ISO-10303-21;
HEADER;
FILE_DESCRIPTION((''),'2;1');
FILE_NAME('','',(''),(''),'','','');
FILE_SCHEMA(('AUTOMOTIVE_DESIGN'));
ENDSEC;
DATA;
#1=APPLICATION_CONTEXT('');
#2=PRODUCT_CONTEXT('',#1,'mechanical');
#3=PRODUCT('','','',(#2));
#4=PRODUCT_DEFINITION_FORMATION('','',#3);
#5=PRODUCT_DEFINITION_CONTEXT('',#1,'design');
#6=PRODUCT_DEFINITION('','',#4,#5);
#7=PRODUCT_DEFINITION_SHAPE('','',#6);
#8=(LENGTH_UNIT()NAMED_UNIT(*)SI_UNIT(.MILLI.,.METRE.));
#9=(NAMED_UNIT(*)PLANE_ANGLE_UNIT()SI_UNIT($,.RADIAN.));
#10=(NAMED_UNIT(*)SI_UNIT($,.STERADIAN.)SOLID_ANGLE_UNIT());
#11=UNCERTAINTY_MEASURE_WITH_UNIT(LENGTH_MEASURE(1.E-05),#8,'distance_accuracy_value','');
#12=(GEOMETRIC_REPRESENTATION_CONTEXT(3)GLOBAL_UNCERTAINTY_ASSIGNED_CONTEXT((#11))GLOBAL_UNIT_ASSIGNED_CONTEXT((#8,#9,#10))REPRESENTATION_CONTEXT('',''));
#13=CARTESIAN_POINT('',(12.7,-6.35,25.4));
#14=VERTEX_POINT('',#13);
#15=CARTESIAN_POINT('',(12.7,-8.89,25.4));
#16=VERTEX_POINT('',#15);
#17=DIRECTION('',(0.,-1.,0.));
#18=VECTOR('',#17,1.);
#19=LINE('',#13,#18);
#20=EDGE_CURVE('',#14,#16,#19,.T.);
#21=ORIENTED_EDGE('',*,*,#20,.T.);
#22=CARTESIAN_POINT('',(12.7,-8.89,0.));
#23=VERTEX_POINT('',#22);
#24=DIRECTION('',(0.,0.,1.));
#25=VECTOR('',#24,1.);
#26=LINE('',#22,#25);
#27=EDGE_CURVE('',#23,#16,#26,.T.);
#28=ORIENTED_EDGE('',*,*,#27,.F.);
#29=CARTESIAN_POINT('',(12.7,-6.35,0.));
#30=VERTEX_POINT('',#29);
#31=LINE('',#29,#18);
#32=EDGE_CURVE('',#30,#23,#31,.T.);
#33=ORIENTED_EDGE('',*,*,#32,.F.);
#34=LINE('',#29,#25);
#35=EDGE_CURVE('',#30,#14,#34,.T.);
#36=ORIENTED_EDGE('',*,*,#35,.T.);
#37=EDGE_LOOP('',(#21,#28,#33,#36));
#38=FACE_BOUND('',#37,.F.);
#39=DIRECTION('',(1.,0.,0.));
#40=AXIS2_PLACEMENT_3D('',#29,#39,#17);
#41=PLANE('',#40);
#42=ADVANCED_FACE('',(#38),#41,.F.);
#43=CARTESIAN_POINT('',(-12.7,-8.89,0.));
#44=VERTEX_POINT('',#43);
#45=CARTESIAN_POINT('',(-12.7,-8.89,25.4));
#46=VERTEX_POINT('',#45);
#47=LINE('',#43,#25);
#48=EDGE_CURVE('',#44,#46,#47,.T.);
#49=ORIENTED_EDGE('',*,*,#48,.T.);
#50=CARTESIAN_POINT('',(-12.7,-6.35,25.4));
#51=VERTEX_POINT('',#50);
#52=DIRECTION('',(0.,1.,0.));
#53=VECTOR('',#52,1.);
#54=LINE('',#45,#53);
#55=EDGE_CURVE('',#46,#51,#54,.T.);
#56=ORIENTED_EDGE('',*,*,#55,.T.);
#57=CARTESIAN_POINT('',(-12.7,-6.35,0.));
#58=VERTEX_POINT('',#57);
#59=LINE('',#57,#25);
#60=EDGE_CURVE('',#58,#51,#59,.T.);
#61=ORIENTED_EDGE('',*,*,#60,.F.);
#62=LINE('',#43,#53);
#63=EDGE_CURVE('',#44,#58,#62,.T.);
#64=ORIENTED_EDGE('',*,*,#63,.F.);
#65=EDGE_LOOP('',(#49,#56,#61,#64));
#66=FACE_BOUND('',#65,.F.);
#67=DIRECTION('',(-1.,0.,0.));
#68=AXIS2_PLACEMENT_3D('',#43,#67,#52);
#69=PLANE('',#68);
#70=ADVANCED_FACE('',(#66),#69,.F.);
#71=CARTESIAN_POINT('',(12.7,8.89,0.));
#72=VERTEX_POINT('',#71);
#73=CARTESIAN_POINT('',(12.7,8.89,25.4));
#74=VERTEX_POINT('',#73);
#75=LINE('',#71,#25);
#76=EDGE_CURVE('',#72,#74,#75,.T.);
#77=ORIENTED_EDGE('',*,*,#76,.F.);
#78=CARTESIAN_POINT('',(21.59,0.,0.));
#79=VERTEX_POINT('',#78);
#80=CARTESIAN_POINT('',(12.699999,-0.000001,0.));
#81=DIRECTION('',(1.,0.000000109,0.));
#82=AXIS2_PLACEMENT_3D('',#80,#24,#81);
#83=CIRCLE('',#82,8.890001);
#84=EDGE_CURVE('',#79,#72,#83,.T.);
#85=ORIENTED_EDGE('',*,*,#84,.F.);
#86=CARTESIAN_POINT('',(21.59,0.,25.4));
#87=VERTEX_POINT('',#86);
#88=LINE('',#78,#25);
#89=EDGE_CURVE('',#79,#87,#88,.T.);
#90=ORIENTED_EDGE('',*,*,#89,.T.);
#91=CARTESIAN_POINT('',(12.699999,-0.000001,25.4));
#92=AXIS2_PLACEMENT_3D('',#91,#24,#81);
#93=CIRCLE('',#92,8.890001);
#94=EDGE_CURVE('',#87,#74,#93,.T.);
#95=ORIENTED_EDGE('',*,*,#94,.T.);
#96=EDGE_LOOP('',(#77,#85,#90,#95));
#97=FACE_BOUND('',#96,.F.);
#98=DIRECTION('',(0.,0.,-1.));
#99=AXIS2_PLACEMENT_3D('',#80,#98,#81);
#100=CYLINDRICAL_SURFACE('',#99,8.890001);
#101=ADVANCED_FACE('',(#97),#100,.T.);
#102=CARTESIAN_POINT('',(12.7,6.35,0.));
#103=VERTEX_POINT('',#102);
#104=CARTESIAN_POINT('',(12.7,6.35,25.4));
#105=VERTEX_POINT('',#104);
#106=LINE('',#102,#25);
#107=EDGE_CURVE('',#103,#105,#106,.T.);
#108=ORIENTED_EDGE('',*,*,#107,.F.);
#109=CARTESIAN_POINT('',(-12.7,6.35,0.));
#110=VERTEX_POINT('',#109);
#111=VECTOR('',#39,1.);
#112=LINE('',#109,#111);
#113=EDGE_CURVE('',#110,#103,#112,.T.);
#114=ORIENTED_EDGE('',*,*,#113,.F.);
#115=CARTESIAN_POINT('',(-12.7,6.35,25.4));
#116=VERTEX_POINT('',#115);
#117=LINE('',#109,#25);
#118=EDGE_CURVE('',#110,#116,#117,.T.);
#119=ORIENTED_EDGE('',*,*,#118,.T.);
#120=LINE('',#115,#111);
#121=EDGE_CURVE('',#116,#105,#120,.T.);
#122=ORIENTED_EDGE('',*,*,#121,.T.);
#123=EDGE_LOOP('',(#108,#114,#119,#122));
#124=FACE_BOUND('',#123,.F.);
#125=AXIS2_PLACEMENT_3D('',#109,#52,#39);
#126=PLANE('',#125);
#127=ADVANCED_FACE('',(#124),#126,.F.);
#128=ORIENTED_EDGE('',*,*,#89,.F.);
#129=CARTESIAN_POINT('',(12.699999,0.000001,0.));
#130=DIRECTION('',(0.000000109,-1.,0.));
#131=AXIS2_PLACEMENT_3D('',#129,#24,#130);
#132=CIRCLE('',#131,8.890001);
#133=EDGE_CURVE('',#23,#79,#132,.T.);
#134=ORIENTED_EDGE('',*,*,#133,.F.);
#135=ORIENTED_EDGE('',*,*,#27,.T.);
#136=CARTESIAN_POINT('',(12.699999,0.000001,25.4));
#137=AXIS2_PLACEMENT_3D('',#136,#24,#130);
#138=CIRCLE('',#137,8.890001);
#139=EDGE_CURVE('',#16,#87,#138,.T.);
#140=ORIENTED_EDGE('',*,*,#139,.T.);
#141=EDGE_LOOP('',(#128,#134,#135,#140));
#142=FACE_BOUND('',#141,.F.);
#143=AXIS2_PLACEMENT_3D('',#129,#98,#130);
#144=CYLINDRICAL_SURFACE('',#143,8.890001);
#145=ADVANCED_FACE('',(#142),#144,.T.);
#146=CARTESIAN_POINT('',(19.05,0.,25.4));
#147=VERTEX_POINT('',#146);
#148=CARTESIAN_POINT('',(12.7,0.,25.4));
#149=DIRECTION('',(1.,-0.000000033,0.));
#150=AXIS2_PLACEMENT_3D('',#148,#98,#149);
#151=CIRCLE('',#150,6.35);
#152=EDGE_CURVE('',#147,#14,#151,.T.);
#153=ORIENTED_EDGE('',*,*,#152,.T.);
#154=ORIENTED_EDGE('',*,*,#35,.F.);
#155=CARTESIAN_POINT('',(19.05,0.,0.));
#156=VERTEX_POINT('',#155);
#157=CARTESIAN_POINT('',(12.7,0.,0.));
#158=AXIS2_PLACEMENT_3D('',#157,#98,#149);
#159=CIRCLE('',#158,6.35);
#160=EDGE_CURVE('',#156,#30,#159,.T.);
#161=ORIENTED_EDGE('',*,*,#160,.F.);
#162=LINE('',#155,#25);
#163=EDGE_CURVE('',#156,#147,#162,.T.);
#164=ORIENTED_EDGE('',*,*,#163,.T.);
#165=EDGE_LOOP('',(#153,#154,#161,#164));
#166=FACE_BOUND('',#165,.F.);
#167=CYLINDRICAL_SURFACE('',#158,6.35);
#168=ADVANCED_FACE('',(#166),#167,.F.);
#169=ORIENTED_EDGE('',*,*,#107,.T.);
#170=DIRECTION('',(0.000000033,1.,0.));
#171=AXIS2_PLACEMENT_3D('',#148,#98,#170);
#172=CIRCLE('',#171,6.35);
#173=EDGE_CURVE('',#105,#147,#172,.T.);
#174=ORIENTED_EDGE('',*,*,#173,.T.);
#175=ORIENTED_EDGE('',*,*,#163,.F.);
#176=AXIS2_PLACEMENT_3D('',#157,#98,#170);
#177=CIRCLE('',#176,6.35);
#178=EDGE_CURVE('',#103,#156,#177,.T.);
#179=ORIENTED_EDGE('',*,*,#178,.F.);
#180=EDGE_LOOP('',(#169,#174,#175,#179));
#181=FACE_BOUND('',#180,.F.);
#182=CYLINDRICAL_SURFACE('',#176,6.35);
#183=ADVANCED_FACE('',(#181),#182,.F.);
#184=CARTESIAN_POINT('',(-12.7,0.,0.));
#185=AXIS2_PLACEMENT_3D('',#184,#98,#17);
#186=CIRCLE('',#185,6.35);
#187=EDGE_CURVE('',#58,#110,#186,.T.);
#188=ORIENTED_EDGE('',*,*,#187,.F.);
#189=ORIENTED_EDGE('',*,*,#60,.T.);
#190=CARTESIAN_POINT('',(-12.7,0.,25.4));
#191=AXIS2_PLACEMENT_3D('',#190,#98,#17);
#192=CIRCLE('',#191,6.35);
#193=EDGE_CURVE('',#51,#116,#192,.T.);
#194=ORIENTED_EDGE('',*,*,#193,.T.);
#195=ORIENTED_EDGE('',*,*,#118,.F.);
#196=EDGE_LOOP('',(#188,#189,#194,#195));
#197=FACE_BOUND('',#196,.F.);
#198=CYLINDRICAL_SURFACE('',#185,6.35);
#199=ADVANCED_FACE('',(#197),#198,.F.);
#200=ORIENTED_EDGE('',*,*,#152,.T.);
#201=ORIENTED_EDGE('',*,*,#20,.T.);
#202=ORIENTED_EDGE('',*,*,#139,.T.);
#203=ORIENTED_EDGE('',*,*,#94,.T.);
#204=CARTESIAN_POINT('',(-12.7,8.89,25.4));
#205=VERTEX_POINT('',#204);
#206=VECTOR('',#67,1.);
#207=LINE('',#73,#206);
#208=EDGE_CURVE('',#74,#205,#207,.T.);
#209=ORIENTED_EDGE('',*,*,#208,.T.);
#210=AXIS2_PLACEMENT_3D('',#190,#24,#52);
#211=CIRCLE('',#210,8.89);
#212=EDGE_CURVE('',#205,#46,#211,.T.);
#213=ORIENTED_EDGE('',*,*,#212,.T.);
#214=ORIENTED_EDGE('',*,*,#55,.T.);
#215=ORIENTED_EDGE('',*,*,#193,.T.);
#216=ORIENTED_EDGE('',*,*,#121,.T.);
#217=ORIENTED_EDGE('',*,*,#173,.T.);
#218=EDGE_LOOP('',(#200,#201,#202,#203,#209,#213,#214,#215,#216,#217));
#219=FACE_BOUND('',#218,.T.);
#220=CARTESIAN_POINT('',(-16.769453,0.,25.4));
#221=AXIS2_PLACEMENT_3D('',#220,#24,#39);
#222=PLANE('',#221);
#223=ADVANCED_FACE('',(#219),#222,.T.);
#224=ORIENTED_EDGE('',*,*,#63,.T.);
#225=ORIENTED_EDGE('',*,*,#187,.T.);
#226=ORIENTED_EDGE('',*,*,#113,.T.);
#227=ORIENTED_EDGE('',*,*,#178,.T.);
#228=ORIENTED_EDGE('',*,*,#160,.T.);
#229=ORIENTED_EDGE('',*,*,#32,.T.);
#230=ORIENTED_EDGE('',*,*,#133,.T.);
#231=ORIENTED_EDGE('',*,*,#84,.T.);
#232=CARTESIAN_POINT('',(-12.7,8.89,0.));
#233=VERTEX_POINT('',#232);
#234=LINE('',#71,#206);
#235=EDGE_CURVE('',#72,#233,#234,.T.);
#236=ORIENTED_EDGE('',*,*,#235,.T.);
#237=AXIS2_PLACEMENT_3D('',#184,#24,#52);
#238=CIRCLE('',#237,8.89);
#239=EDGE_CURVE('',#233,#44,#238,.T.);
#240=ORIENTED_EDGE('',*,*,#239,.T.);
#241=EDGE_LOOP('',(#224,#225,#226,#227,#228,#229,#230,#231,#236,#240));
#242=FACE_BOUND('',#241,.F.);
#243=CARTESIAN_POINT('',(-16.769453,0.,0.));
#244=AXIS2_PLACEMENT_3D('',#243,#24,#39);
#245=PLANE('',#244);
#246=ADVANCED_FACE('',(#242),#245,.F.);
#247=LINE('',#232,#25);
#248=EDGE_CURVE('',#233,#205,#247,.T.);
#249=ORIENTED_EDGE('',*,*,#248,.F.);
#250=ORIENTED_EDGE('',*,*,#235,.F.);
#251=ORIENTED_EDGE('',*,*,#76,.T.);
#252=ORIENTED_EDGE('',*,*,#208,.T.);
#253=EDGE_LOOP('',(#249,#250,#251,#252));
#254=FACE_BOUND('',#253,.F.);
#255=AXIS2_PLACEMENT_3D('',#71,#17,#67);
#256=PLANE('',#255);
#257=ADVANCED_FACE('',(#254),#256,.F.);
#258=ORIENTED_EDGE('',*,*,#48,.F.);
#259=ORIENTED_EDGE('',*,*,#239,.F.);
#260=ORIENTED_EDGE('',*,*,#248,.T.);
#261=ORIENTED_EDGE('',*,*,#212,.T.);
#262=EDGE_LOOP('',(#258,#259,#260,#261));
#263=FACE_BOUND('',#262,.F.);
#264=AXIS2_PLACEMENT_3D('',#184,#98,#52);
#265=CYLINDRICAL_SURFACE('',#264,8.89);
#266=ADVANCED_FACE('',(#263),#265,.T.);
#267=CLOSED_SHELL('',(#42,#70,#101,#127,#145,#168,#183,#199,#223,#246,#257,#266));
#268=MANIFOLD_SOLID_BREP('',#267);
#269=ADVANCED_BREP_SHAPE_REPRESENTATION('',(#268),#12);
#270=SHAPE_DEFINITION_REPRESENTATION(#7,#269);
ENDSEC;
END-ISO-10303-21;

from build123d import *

# Parameters (mm, degrees)
F1_DEPTH = 25.4


with BuildPart() as f1:
    # F0 (on Top) → F1 (new body)
    with BuildSketch(Plane.XY):
        with BuildLine():
            ThreePointArc((-12.7, 8.89), (-21.59, 0), (-12.7, -8.89))
            Line((-12.7, -8.89), (-12.7, -6.35))
            ThreePointArc((-12.7, -6.35), (-19.05, 0), (-12.7, 6.35))
            Line((-12.7, 6.35), (-12.7, 8.89))
        make_face()
        with BuildLine():
            Line((-6.478296, 6.35), (6.478296, 6.35))
            ThreePointArc((6.478296, 6.35), (9.339896, 8.230541), (12.7, 8.89))
            Line((12.7, 8.89), (-12.7, 8.89))
            ThreePointArc((-12.7, 8.89), (-9.339896, 8.230541), (-6.478296, 6.35))
        make_face()
        with BuildLine():
            Line((6.478296, 6.35), (12.7, 6.35))
            Line((12.7, 6.35), (12.7, 8.89))
            ThreePointArc((12.7, 8.89), (9.339896, 8.230541), (6.478296, 6.35))
        make_face()
        with BuildLine():
            Line((-12.7, 6.35), (-6.478296, 6.35))
            ThreePointArc((-6.478296, 6.35), (-9.339896, 8.230541), (-12.7, 8.89))
            Line((-12.7, 8.89), (-12.7, 6.35))
        make_face()
        with BuildLine():
            ThreePointArc((19.05, 0), (17.190128, -4.490128), (12.7, -6.35))
            Line((12.7, -6.35), (12.7, -8.89))
            ThreePointArc((12.7, -8.89), (18.986179, -6.286179), (21.59, 0))
            ThreePointArc((21.59, 0), (18.986179, 6.286179), (12.7, 8.89))
            Line((12.7, 8.89), (12.7, 6.35))
            ThreePointArc((12.7, 6.35), (17.190128, 4.490128), (19.05, 0))
        make_face()
    extrude(amount=F1_DEPTH)


solid = f1.part
